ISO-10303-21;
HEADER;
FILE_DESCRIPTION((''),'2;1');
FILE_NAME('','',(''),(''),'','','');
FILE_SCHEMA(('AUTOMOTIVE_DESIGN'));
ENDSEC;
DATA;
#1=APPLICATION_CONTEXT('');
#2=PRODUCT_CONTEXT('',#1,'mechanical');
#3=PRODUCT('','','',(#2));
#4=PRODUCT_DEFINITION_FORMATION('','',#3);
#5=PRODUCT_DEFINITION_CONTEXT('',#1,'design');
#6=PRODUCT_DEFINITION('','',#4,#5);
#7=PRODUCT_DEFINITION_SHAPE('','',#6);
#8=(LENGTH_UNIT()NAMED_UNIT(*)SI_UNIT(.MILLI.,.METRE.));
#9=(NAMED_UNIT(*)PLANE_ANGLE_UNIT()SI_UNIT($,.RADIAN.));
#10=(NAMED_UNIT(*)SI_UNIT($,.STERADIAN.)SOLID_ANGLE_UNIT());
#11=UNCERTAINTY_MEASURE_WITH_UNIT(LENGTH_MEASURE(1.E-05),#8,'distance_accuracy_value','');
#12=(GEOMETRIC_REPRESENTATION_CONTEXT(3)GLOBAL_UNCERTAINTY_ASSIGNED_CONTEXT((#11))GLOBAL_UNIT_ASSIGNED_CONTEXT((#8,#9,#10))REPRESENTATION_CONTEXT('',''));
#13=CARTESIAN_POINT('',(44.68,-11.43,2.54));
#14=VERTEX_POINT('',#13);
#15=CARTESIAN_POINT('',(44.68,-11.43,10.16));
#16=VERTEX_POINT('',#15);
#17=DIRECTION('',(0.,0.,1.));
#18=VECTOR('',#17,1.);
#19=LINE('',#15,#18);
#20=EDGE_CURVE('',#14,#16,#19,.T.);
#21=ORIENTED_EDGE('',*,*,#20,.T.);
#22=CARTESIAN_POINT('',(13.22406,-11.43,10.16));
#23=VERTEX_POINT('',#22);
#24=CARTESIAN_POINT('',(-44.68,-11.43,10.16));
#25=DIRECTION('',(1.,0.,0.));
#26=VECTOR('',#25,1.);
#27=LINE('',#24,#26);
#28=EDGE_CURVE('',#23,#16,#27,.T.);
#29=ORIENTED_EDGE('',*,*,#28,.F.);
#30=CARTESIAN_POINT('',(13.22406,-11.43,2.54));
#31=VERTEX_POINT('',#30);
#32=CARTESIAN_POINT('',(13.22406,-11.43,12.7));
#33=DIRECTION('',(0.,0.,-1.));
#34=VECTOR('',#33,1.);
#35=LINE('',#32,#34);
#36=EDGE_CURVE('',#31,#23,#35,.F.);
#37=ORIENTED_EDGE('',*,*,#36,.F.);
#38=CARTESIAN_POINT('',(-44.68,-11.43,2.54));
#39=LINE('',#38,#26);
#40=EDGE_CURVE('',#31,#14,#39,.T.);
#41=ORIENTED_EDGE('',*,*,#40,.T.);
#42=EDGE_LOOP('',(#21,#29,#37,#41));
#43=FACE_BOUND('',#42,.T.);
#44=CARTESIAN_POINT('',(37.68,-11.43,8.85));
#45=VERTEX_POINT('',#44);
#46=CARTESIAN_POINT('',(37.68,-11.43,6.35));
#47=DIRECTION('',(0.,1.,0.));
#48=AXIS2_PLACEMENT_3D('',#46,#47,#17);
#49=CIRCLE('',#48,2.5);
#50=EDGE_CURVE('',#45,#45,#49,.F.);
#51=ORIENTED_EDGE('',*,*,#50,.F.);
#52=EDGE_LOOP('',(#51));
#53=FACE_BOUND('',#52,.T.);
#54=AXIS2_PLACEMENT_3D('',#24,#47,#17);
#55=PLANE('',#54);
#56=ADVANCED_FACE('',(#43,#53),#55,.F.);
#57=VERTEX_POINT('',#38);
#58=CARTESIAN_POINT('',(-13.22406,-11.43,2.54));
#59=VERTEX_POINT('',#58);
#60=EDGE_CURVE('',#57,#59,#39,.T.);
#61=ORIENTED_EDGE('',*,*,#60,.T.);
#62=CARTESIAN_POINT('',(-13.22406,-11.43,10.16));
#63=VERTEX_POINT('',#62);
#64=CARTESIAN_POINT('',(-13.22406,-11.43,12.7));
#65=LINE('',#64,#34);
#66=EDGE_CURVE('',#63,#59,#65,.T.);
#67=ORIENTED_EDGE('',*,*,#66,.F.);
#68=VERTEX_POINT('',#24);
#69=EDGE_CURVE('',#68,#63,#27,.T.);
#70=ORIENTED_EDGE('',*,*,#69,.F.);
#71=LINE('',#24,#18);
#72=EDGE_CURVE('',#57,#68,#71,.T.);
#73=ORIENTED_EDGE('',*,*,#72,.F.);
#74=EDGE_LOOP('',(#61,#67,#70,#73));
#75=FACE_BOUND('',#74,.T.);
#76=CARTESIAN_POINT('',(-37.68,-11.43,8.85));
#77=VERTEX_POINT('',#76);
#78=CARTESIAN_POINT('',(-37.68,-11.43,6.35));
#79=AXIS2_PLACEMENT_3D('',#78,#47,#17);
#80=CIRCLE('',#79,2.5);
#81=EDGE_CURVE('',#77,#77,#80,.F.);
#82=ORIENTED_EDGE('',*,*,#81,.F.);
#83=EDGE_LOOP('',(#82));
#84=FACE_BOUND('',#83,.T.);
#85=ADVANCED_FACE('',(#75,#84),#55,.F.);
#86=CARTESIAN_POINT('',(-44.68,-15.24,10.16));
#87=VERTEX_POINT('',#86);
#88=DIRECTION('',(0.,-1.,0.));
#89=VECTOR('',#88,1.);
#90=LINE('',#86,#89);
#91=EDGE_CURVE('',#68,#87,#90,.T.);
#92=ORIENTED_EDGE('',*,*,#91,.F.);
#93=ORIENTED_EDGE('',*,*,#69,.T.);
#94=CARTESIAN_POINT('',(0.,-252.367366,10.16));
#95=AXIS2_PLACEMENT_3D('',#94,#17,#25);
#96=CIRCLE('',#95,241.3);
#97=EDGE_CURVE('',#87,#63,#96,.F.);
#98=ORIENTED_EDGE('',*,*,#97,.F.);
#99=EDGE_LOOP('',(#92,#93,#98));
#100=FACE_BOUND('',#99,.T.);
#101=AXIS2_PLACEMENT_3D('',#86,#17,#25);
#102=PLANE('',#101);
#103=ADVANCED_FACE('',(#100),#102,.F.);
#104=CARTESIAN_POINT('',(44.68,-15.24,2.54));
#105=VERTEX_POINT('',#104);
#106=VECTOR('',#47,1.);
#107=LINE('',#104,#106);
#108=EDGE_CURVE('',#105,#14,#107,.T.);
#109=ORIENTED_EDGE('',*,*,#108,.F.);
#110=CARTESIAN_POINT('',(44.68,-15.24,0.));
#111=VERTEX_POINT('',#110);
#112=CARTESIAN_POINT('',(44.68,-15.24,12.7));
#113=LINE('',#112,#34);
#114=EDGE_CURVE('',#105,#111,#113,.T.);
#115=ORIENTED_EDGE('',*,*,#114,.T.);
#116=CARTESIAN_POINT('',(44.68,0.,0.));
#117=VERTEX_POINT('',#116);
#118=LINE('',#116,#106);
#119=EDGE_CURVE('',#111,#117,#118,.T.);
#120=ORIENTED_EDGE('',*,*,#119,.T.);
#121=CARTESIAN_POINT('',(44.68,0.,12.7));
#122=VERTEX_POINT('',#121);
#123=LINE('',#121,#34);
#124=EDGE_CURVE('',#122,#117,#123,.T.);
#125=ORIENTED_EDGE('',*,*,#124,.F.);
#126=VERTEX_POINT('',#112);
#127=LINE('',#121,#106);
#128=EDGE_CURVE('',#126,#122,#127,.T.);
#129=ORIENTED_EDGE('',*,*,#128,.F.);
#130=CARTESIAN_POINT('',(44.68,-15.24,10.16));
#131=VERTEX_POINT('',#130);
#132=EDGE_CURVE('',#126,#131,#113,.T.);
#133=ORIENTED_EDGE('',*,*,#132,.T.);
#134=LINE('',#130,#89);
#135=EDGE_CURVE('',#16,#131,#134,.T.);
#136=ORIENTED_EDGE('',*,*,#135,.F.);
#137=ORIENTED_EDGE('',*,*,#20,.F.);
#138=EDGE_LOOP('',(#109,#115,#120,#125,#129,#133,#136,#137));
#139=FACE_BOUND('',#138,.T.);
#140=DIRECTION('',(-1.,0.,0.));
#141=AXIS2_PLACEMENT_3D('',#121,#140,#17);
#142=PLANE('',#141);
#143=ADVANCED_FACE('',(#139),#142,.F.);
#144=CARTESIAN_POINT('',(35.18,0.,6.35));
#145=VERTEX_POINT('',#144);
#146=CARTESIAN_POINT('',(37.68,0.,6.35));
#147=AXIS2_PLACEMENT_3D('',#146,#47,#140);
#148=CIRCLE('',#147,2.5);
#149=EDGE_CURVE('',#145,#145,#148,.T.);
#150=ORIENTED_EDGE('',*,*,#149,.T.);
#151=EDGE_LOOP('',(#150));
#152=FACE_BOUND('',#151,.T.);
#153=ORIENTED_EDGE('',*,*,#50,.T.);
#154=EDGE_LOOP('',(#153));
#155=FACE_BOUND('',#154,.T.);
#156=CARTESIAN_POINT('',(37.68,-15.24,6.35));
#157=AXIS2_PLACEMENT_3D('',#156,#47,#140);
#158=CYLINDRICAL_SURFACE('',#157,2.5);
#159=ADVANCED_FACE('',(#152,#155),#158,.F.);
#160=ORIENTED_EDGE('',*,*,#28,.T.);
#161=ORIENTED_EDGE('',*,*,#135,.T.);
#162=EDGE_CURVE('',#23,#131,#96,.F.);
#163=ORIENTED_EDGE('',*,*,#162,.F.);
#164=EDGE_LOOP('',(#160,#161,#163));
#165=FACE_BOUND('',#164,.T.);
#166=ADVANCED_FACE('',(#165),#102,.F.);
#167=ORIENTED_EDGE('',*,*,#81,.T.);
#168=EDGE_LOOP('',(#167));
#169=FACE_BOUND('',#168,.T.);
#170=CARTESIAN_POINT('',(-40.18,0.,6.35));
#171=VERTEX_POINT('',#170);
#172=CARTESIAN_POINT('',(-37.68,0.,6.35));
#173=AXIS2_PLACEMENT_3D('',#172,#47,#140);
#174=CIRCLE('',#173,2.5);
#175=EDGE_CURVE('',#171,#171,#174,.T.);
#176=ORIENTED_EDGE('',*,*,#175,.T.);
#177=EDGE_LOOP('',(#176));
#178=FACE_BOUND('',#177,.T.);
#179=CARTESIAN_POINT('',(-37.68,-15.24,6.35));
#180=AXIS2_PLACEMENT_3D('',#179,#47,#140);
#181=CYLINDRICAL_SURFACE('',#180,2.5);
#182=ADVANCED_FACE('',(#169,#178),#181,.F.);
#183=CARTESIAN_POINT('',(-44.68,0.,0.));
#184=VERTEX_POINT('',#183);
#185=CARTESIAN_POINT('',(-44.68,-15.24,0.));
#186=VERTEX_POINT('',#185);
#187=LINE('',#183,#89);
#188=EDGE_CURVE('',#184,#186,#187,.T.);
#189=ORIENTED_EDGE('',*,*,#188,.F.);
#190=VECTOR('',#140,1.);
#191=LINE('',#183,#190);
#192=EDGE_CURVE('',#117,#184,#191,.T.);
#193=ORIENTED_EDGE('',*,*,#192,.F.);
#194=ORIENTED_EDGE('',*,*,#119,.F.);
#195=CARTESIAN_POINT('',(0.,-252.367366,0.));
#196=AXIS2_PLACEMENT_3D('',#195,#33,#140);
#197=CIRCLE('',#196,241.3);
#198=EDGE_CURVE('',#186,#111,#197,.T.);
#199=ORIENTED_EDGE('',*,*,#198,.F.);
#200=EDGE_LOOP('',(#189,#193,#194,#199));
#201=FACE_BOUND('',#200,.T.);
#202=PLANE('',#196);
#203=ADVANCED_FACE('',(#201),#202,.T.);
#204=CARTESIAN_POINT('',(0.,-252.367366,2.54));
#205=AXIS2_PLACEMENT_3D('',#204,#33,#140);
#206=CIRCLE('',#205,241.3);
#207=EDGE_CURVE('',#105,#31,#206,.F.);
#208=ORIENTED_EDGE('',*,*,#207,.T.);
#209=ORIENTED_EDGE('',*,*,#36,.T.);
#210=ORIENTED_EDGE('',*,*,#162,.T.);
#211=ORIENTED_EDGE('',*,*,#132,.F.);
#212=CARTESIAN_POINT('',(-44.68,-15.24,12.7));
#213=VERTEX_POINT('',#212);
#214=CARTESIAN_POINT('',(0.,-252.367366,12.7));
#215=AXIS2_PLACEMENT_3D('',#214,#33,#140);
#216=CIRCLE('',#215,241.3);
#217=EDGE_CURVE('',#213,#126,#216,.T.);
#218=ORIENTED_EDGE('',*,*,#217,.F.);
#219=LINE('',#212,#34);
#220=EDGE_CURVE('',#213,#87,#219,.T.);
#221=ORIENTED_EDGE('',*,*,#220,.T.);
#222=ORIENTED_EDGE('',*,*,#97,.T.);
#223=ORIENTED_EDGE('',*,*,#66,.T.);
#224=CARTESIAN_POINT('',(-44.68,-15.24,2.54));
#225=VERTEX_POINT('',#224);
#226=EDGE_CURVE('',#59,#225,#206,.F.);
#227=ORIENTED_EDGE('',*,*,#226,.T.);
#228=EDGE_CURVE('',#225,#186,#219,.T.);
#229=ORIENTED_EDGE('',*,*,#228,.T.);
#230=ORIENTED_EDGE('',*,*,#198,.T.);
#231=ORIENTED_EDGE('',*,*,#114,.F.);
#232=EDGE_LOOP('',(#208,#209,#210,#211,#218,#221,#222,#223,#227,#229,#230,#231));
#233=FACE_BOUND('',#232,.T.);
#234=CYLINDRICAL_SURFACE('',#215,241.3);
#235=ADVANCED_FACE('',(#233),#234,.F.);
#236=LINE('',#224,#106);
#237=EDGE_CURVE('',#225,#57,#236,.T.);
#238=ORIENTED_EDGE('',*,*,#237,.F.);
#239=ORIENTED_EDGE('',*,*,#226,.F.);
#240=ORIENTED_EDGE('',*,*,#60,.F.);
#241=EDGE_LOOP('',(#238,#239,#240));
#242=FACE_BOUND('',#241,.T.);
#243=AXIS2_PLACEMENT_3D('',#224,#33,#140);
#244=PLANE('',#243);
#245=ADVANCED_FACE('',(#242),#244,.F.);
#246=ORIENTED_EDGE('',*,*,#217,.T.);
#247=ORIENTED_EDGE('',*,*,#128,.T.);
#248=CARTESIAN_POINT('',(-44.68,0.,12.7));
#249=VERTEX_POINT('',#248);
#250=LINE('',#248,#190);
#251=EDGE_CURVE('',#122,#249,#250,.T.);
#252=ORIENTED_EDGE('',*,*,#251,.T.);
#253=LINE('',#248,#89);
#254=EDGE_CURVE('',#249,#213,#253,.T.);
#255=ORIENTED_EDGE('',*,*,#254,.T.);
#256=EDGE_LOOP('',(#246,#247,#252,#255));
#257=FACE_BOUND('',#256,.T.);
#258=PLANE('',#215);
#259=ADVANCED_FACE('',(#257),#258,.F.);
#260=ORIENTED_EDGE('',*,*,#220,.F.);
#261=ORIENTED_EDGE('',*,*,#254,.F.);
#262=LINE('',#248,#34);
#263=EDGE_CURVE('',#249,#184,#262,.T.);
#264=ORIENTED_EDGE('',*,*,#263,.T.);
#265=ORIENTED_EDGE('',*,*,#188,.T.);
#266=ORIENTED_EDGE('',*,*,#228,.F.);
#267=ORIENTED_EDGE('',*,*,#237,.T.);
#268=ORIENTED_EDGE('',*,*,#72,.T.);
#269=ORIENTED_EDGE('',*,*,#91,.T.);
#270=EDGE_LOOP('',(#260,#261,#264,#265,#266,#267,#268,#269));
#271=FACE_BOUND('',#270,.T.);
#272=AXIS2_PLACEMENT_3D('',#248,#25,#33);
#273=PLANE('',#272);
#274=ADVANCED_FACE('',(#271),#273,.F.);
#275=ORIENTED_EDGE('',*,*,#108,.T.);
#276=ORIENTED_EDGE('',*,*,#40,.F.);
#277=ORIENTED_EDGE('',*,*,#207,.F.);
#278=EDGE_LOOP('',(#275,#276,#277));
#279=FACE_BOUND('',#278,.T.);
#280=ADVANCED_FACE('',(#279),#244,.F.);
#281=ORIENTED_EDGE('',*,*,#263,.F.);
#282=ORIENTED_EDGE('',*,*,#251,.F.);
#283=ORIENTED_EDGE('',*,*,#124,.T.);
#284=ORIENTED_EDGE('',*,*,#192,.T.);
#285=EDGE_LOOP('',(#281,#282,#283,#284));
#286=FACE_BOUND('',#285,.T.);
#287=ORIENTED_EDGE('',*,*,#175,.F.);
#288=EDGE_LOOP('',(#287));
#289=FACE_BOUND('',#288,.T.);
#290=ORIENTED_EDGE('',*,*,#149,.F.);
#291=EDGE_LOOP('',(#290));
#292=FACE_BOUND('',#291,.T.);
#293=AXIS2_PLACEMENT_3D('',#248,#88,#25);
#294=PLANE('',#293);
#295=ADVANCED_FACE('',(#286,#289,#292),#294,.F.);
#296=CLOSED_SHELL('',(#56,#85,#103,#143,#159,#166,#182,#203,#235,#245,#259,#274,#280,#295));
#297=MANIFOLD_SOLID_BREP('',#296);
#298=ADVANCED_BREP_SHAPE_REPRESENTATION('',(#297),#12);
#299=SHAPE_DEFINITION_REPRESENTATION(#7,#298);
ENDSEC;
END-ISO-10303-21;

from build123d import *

# Parameters (mm, degrees)
BOSS_EXTRUDE1_DEPTH = 12.7
SKETCH2_R           = 2.5
CUT_EXTRUDE1_DEPTH  = 16.24
SKETCH3_W           = 7.62
SKETCH3_H           = 3.81
CUT_EXTRUDE2_DEPTH  = 90.3600001


with BuildPart() as part:
    # Sketch1 → Boss-Extrude1 (new body)
    with BuildSketch(Plane.XY):
        with BuildLine():
            Line((-44.68, 0), (44.68, 0))
            Line((44.68, 0), (44.68, -15.24))
            ThreePointArc((44.68, -15.24), (0, -11.067365776), (-44.68, -15.24))
            Line((-44.68, -15.24), (-44.68, 0))
        make_face()
    extrude(amount=BOSS_EXTRUDE1_DEPTH)

    # Sketch2 → Cut-Extrude1 (cut, through all)
    with BuildSketch(Plane(origin=(0, 0, 0), x_dir=(1, 0, 0), z_dir=(0, 1, 0))):
        with Locations((-37.68, -6.35)):
            Circle(SKETCH2_R)
        with Locations((37.68, -6.35)):
            Circle(SKETCH2_R)
    extrude(amount=-CUT_EXTRUDE1_DEPTH, mode=Mode.SUBTRACT)

    # Sketch3 → Cut-Extrude2 (cut, through all)
    with BuildSketch(Plane(origin=(44.68, 0, 0), x_dir=(0, 0, -1), z_dir=(1, 0, 0))):
        with Locations((-6.35, -13.335)):
            Rectangle(SKETCH3_W, SKETCH3_H)
    extrude(amount=-CUT_EXTRUDE2_DEPTH, mode=Mode.SUBTRACT)


solid = part.part
